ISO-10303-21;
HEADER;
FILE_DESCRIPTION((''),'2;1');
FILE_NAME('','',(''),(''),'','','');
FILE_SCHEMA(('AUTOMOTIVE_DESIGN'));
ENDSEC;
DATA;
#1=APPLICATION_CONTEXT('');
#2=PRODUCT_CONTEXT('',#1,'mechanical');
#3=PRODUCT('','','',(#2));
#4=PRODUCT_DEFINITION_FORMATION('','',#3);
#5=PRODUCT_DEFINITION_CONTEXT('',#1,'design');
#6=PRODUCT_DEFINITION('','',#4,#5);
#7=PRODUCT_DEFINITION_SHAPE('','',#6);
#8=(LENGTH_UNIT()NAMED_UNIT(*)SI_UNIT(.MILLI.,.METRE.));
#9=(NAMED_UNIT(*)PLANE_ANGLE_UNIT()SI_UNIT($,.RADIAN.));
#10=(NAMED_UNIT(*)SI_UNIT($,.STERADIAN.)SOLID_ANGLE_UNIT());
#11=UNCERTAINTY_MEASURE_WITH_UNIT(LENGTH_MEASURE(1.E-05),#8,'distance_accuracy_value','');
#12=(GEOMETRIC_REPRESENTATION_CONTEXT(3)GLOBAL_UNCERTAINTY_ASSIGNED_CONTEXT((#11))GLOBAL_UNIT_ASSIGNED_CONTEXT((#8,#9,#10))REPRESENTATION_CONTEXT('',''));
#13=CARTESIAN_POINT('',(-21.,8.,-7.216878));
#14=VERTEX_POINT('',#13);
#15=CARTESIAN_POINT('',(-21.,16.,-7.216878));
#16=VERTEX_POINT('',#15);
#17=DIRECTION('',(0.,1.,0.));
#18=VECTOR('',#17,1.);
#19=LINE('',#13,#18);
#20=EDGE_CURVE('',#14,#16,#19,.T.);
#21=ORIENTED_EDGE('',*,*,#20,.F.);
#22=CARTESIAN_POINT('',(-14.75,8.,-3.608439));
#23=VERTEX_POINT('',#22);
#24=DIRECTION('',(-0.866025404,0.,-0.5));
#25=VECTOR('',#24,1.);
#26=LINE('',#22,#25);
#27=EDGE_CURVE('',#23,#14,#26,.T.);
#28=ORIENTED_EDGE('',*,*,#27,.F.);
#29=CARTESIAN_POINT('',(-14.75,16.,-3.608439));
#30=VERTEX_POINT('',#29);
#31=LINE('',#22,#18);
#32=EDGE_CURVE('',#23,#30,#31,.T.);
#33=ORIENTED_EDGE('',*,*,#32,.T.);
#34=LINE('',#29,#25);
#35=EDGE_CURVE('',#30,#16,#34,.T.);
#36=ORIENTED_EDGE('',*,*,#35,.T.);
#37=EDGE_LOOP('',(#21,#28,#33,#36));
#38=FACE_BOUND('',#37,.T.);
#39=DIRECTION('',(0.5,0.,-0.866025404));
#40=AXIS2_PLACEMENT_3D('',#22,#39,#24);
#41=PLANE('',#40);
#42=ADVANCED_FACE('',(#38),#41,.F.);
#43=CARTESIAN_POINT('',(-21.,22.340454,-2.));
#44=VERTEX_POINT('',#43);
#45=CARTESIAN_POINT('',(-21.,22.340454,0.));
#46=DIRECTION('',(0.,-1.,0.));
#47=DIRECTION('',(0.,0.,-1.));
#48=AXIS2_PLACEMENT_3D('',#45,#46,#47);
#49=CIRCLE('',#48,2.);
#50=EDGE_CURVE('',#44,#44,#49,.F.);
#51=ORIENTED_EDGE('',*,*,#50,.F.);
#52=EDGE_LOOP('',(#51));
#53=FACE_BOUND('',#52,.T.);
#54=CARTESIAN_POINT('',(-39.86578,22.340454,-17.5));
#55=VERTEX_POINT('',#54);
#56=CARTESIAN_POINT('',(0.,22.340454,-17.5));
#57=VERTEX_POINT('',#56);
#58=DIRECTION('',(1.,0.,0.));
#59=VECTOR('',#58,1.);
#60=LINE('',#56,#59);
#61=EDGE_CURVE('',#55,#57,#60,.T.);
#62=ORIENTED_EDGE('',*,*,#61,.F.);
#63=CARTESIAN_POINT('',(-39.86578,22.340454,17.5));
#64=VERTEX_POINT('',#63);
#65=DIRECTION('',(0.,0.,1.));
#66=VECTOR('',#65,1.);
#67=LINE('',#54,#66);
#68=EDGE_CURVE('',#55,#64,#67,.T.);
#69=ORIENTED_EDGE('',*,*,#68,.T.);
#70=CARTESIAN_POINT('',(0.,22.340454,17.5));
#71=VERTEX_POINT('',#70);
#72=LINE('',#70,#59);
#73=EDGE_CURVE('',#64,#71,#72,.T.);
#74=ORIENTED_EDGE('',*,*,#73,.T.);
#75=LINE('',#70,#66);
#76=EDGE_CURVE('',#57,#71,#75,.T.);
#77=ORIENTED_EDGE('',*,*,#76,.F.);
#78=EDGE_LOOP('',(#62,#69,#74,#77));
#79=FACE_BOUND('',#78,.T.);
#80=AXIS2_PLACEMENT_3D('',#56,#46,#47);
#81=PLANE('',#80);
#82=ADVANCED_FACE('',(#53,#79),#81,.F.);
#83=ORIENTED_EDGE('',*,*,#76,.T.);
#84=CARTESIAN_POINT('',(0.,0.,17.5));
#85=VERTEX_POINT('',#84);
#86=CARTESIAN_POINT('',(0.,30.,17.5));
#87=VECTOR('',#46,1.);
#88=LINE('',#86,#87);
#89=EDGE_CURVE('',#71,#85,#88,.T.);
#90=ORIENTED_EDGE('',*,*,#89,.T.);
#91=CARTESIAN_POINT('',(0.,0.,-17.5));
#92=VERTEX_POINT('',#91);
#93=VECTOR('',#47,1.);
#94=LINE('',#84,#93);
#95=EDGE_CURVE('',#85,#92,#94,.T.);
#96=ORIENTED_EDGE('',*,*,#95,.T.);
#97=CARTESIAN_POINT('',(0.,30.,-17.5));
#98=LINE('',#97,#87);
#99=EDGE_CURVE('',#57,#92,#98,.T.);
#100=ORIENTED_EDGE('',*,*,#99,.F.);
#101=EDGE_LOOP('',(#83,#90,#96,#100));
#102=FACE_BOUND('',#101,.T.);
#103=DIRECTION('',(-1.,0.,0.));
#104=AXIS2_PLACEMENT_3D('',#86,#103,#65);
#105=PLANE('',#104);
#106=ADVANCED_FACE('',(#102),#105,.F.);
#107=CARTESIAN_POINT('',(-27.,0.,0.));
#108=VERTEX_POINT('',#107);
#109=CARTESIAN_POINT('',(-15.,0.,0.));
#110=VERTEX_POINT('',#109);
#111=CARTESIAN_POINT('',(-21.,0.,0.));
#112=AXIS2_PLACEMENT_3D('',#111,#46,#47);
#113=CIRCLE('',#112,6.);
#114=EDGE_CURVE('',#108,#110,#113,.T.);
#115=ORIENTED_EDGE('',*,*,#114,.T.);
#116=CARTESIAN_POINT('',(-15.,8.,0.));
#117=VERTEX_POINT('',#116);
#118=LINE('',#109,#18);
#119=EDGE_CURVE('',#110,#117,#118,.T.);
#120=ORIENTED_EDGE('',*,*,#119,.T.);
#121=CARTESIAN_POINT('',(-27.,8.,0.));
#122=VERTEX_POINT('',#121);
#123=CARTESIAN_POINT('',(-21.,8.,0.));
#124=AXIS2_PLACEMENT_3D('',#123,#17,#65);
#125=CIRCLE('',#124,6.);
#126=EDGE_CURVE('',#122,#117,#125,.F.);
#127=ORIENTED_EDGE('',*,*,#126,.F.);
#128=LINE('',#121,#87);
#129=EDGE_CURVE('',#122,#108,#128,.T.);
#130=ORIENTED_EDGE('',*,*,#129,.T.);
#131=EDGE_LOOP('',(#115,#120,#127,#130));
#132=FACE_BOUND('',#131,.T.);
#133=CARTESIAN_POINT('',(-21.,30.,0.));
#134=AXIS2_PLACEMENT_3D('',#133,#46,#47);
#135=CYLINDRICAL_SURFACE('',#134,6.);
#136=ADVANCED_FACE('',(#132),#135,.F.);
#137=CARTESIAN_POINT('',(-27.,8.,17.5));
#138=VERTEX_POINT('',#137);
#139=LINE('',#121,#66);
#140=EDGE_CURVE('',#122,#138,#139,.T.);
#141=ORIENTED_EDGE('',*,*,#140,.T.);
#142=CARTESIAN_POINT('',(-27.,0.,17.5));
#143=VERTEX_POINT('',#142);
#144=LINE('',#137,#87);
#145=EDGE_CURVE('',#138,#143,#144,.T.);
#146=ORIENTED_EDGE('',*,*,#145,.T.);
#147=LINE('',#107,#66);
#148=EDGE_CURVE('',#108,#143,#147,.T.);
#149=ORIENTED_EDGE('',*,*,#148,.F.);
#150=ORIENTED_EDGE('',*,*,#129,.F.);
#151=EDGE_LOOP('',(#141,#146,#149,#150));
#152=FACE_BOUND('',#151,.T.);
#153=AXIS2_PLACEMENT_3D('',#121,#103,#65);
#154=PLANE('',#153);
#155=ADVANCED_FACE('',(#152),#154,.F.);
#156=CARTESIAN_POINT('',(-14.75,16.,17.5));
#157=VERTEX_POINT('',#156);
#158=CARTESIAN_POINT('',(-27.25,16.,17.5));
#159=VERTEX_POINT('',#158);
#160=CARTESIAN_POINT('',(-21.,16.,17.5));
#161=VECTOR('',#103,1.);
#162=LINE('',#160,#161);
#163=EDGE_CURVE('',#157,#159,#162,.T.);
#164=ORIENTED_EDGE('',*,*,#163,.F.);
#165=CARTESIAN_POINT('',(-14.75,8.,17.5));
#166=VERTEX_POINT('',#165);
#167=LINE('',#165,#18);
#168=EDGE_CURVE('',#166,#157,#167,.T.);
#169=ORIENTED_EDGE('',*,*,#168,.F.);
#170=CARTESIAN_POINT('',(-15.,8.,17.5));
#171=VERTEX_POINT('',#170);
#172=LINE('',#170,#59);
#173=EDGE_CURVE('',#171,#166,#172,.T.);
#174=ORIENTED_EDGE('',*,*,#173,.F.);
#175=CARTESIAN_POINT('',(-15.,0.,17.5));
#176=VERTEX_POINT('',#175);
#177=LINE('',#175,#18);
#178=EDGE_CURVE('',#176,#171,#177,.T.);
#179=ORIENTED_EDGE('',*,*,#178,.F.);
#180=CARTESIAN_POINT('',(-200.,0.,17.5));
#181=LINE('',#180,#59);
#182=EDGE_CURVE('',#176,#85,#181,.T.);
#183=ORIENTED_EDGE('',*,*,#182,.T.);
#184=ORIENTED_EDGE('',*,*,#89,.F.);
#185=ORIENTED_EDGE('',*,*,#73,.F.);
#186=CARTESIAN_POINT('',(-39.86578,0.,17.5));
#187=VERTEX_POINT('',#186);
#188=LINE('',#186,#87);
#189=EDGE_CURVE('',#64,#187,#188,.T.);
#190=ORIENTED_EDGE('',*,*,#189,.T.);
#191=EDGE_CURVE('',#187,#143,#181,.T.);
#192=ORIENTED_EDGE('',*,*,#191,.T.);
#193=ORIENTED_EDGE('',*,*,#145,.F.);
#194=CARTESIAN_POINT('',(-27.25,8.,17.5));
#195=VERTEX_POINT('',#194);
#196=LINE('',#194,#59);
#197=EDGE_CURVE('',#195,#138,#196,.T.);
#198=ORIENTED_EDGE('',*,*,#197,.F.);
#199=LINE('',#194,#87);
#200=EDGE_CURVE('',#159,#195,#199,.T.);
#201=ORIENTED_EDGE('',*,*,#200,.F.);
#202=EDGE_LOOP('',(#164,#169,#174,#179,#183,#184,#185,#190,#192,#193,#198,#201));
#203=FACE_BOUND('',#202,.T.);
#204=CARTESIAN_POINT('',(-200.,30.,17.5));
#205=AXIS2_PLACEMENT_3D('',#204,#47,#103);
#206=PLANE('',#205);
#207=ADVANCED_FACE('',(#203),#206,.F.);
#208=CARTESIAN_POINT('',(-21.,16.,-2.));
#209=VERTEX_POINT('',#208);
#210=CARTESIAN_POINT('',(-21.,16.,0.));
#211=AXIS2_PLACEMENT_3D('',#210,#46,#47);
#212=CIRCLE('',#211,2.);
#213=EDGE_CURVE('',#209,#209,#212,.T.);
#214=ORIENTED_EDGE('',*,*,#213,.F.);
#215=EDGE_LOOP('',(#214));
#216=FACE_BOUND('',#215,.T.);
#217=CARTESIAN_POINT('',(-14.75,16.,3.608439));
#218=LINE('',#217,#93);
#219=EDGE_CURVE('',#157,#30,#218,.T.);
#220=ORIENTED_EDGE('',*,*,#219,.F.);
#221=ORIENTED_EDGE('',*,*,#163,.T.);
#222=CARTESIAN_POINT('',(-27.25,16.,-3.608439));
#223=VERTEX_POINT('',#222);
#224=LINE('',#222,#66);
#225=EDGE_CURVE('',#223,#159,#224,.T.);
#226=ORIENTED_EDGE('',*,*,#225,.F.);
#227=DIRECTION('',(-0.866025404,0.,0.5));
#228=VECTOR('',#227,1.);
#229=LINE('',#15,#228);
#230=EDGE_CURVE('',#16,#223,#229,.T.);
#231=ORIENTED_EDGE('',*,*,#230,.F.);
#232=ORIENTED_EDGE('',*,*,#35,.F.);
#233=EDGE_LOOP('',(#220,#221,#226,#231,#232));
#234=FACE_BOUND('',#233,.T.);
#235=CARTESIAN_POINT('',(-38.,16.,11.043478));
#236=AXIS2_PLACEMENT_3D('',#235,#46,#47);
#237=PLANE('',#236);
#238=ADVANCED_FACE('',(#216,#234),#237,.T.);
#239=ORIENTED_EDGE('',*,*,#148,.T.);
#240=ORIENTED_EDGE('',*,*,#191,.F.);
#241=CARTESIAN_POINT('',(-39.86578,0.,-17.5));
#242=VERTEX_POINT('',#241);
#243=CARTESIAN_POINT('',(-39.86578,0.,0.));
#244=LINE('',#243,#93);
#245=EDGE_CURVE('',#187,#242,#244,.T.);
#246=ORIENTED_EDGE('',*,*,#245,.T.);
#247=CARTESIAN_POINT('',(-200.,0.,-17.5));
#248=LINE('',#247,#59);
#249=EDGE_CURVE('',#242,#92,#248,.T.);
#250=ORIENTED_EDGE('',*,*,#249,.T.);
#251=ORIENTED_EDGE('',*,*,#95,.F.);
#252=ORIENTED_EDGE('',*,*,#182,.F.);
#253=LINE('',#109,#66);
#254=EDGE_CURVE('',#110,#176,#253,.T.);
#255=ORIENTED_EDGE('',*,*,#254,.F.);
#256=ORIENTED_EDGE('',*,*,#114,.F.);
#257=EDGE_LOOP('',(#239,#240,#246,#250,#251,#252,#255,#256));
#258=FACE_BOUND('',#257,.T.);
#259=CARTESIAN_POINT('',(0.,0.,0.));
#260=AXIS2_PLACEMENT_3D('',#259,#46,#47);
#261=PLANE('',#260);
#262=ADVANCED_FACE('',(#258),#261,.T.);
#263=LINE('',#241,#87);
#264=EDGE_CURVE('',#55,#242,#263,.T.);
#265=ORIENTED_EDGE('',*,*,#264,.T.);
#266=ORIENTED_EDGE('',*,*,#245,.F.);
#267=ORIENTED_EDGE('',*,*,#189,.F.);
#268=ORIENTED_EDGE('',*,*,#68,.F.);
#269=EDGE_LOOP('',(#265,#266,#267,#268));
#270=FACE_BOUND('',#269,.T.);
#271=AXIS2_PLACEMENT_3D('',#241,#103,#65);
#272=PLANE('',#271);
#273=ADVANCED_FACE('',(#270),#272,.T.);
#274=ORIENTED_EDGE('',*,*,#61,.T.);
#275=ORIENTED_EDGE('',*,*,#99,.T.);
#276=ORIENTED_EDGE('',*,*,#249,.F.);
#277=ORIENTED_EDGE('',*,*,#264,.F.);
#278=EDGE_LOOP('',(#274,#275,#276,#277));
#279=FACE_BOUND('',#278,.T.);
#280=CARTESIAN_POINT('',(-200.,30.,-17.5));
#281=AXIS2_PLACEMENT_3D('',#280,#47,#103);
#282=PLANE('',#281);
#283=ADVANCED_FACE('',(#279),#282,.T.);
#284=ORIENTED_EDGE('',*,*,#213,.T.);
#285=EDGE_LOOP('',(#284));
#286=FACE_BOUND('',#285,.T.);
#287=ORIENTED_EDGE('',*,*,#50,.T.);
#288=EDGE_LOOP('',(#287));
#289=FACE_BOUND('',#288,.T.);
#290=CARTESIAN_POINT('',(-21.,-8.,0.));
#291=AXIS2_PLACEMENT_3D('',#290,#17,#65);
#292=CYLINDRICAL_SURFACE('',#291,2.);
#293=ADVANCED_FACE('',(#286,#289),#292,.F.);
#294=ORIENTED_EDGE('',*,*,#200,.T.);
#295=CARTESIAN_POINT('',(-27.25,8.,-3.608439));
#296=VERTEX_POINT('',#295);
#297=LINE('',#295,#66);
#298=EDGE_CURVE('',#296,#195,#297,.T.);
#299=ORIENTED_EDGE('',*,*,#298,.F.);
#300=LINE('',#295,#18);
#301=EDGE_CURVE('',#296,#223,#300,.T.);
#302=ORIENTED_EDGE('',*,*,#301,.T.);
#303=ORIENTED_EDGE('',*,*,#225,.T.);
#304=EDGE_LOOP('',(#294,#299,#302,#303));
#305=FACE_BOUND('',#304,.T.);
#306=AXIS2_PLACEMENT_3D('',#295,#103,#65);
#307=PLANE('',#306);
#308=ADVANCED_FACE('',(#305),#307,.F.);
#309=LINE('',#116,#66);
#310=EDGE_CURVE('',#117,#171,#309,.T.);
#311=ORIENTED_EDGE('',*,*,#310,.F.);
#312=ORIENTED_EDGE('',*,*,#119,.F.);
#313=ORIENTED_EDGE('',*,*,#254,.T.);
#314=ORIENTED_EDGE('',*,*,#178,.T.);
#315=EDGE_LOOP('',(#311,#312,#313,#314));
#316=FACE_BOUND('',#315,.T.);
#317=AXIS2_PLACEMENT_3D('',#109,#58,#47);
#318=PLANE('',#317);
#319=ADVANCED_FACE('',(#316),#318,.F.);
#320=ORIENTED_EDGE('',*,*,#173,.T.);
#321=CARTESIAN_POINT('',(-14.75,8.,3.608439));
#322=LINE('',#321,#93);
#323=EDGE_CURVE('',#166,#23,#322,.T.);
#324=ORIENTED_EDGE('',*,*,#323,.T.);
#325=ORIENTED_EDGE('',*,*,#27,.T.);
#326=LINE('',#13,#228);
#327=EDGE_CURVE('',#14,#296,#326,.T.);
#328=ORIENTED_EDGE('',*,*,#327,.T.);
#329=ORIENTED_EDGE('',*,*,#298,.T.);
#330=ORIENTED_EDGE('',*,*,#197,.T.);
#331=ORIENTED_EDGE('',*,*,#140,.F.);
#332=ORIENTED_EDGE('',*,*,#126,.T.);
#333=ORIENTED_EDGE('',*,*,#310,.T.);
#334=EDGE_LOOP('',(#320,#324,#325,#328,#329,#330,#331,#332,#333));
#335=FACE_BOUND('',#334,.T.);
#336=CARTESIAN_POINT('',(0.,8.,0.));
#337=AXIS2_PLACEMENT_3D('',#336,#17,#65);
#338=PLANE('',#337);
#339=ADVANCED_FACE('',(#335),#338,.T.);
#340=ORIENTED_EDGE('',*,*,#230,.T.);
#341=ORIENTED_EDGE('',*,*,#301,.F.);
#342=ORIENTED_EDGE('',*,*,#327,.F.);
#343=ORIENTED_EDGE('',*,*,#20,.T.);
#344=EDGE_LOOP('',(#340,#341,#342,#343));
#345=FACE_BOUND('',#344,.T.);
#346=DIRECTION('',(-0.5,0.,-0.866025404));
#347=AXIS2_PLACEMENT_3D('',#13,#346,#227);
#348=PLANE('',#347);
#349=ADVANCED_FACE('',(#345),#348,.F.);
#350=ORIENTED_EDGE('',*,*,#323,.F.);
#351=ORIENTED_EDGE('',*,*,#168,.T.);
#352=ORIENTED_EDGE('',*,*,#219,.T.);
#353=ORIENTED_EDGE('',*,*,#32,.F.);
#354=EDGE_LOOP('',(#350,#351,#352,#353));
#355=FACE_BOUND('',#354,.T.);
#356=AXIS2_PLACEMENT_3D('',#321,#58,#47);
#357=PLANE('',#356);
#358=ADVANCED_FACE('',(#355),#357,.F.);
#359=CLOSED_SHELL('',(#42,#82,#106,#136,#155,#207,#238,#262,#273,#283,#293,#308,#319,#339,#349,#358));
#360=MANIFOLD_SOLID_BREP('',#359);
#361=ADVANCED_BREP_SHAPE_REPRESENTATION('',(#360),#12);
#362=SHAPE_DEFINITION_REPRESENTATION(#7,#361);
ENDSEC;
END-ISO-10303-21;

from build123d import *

# Parameters (mm, degrees)
SKETCH2_W           = 200
SKETCH2_H           = 35
BOSS_EXTRUDE1_DEPTH = 30
SKETCH3_R           = 6
CUT_EXTRUDE1_DEPTH  = 203.993226488
CUT_EXTRUDE2_DEPTH  = 22
SKETCH6_W           = 22.496439662
SKETCH6_H           = 14
BOSS_EXTRUDE3_DEPTH = 38
CUT_EXTRUDE4_DEPTH  = 17.5
SKETCH9_R           = 2
CUT_EXTRUDE5_DEPTH  = 38
SKETCH10_R          = 2.25
CUT_EXTRUDE6_DEPTH  = 20
SKETCH12_W          = 4.5
SKETCH12_H          = 7.5
CUT_EXTRUDE7_DEPTH  = 46
SKETCH14_W          = 405.367486884
SKETCH14_H          = 144.136743288
CUT_EXTRUDE9_DEPTH  = 206.243757518


with BuildPart() as part:
    # Sketch2 → Boss-Extrude1 (new body)
    with BuildSketch(Plane(origin=(0, 0, 0), x_dir=(1, 0, 0), z_dir=(0, 1, 0))):
        with Locations((-100, 0)):
            Rectangle(SKETCH2_W, SKETCH2_H)
    extrude(amount=BOSS_EXTRUDE1_DEPTH)

    # Sketch3 → Cut-Extrude1 (cut, through all)
    with BuildSketch(Plane.XZ):
        with Locations(Location((-21, 0, 0), (0, 0, 270))):
            Circle(SKETCH3_R)
    extrude(amount=-CUT_EXTRUDE1_DEPTH, mode=Mode.SUBTRACT)

    # Sketch4 → Cut-Extrude2 (cut)
    with BuildSketch(Plane(origin=(0, 30, 0), x_dir=(1, 0, 0), z_dir=(0, 1, 0))):
        Polygon((-14.75, 3.608439182), (-21, 7.216878365), (-27.25, 3.608439182), (-27.25, -3.608439182), (-21, -7.216878365), (-14.75, -3.608439182), align=None)
    extrude(amount=-CUT_EXTRUDE2_DEPTH, mode=Mode.SUBTRACT)

    # Sketch6 → Boss-Extrude3 (add)
    with BuildSketch(Plane(origin=(0, 0, 0), x_dir=(0, 0, -1), z_dir=(1, 0, 0))):
        with Locations((0.204742288, 23)):
            Rectangle(SKETCH6_W, SKETCH6_H)
    extrude(amount=-BOSS_EXTRUDE3_DEPTH)

    # Sketch7 → Cut-Extrude4 (cut)
    with BuildSketch(Plane.XY.offset(17.5)):
        Polygon((-21, 16), (-14.75, 16), (-14.75, 8), (-15, 8), (-15, 0), (-27, 0), (-27, 8), (-27.25, 8), (-27.25, 16), align=None)
    extrude(amount=-CUT_EXTRUDE4_DEPTH, mode=Mode.SUBTRACT)

    # Sketch9 → Cut-Extrude5 (cut)
    with BuildSketch(Plane(origin=(0, 30, 0), x_dir=(1, 0, 0), z_dir=(0, 1, 0))):
        with Locations(Location((-21, 0, 0), (0, 0, 270))):
            Circle(SKETCH9_R)
    extrude(amount=-CUT_EXTRUDE5_DEPTH, mode=Mode.SUBTRACT)

    # Sketch10 → Cut-Extrude6 (cut)
    with BuildSketch(Plane.ZY.offset(200)):
        with Locations((6.5, 21.5)):
            Circle(SKETCH10_R)
        with Locations((6.5, 8.5)):
            Circle(SKETCH10_R)
        with Locations((-6.5, 8.5)):
            Circle(SKETCH10_R)
        with Locations((-6.5, 21.5)):
            Circle(SKETCH10_R)
    extrude(amount=-CUT_EXTRUDE6_DEPTH, mode=Mode.SUBTRACT)

    # Sketch12 → Cut-Extrude7 (cut)
    with BuildSketch(Plane(origin=(0, 30, 0), x_dir=(1, 0, 0), z_dir=(0, 1, 0))):
        with Locations((-191.75, -6.5625)):
            Rectangle(SKETCH12_W, SKETCH12_H)
        with Locations((-191.75, 6.5625)):
            Rectangle(SKETCH12_W, SKETCH12_H)
    extrude(amount=-CUT_EXTRUDE7_DEPTH, mode=Mode.SUBTRACT)

    # Sketch14 → Cut-Extrude9 (cut, through all)
    # profile 1 of 2: a face of its own
    with BuildSketch(Plane.XY.offset(17.5)):
        with Locations((-15, 0)):
            Rectangle(SKETCH14_W, SKETCH14_H)
        Polygon((0, 30), (0, 22.340454029), (9.526767724, 22.340454029), (9.526767724, -15.531579882), (-39.86578, -15.531579882), (-39.86578, 0), (-200, 0), (-200, 30), align=None, mode=Mode.SUBTRACT)
    # profile 2 of 2: a face of its own
    with BuildSketch(Plane.XY.offset(17.5)):
        Polygon((-39.86578, 0), (-39.86578, 22.340454029), (0, 22.340454029), (0, 30), (-200, 30), (-200, 0), align=None)
    extrude(amount=-CUT_EXTRUDE9_DEPTH, mode=Mode.SUBTRACT)


solid = part.part
